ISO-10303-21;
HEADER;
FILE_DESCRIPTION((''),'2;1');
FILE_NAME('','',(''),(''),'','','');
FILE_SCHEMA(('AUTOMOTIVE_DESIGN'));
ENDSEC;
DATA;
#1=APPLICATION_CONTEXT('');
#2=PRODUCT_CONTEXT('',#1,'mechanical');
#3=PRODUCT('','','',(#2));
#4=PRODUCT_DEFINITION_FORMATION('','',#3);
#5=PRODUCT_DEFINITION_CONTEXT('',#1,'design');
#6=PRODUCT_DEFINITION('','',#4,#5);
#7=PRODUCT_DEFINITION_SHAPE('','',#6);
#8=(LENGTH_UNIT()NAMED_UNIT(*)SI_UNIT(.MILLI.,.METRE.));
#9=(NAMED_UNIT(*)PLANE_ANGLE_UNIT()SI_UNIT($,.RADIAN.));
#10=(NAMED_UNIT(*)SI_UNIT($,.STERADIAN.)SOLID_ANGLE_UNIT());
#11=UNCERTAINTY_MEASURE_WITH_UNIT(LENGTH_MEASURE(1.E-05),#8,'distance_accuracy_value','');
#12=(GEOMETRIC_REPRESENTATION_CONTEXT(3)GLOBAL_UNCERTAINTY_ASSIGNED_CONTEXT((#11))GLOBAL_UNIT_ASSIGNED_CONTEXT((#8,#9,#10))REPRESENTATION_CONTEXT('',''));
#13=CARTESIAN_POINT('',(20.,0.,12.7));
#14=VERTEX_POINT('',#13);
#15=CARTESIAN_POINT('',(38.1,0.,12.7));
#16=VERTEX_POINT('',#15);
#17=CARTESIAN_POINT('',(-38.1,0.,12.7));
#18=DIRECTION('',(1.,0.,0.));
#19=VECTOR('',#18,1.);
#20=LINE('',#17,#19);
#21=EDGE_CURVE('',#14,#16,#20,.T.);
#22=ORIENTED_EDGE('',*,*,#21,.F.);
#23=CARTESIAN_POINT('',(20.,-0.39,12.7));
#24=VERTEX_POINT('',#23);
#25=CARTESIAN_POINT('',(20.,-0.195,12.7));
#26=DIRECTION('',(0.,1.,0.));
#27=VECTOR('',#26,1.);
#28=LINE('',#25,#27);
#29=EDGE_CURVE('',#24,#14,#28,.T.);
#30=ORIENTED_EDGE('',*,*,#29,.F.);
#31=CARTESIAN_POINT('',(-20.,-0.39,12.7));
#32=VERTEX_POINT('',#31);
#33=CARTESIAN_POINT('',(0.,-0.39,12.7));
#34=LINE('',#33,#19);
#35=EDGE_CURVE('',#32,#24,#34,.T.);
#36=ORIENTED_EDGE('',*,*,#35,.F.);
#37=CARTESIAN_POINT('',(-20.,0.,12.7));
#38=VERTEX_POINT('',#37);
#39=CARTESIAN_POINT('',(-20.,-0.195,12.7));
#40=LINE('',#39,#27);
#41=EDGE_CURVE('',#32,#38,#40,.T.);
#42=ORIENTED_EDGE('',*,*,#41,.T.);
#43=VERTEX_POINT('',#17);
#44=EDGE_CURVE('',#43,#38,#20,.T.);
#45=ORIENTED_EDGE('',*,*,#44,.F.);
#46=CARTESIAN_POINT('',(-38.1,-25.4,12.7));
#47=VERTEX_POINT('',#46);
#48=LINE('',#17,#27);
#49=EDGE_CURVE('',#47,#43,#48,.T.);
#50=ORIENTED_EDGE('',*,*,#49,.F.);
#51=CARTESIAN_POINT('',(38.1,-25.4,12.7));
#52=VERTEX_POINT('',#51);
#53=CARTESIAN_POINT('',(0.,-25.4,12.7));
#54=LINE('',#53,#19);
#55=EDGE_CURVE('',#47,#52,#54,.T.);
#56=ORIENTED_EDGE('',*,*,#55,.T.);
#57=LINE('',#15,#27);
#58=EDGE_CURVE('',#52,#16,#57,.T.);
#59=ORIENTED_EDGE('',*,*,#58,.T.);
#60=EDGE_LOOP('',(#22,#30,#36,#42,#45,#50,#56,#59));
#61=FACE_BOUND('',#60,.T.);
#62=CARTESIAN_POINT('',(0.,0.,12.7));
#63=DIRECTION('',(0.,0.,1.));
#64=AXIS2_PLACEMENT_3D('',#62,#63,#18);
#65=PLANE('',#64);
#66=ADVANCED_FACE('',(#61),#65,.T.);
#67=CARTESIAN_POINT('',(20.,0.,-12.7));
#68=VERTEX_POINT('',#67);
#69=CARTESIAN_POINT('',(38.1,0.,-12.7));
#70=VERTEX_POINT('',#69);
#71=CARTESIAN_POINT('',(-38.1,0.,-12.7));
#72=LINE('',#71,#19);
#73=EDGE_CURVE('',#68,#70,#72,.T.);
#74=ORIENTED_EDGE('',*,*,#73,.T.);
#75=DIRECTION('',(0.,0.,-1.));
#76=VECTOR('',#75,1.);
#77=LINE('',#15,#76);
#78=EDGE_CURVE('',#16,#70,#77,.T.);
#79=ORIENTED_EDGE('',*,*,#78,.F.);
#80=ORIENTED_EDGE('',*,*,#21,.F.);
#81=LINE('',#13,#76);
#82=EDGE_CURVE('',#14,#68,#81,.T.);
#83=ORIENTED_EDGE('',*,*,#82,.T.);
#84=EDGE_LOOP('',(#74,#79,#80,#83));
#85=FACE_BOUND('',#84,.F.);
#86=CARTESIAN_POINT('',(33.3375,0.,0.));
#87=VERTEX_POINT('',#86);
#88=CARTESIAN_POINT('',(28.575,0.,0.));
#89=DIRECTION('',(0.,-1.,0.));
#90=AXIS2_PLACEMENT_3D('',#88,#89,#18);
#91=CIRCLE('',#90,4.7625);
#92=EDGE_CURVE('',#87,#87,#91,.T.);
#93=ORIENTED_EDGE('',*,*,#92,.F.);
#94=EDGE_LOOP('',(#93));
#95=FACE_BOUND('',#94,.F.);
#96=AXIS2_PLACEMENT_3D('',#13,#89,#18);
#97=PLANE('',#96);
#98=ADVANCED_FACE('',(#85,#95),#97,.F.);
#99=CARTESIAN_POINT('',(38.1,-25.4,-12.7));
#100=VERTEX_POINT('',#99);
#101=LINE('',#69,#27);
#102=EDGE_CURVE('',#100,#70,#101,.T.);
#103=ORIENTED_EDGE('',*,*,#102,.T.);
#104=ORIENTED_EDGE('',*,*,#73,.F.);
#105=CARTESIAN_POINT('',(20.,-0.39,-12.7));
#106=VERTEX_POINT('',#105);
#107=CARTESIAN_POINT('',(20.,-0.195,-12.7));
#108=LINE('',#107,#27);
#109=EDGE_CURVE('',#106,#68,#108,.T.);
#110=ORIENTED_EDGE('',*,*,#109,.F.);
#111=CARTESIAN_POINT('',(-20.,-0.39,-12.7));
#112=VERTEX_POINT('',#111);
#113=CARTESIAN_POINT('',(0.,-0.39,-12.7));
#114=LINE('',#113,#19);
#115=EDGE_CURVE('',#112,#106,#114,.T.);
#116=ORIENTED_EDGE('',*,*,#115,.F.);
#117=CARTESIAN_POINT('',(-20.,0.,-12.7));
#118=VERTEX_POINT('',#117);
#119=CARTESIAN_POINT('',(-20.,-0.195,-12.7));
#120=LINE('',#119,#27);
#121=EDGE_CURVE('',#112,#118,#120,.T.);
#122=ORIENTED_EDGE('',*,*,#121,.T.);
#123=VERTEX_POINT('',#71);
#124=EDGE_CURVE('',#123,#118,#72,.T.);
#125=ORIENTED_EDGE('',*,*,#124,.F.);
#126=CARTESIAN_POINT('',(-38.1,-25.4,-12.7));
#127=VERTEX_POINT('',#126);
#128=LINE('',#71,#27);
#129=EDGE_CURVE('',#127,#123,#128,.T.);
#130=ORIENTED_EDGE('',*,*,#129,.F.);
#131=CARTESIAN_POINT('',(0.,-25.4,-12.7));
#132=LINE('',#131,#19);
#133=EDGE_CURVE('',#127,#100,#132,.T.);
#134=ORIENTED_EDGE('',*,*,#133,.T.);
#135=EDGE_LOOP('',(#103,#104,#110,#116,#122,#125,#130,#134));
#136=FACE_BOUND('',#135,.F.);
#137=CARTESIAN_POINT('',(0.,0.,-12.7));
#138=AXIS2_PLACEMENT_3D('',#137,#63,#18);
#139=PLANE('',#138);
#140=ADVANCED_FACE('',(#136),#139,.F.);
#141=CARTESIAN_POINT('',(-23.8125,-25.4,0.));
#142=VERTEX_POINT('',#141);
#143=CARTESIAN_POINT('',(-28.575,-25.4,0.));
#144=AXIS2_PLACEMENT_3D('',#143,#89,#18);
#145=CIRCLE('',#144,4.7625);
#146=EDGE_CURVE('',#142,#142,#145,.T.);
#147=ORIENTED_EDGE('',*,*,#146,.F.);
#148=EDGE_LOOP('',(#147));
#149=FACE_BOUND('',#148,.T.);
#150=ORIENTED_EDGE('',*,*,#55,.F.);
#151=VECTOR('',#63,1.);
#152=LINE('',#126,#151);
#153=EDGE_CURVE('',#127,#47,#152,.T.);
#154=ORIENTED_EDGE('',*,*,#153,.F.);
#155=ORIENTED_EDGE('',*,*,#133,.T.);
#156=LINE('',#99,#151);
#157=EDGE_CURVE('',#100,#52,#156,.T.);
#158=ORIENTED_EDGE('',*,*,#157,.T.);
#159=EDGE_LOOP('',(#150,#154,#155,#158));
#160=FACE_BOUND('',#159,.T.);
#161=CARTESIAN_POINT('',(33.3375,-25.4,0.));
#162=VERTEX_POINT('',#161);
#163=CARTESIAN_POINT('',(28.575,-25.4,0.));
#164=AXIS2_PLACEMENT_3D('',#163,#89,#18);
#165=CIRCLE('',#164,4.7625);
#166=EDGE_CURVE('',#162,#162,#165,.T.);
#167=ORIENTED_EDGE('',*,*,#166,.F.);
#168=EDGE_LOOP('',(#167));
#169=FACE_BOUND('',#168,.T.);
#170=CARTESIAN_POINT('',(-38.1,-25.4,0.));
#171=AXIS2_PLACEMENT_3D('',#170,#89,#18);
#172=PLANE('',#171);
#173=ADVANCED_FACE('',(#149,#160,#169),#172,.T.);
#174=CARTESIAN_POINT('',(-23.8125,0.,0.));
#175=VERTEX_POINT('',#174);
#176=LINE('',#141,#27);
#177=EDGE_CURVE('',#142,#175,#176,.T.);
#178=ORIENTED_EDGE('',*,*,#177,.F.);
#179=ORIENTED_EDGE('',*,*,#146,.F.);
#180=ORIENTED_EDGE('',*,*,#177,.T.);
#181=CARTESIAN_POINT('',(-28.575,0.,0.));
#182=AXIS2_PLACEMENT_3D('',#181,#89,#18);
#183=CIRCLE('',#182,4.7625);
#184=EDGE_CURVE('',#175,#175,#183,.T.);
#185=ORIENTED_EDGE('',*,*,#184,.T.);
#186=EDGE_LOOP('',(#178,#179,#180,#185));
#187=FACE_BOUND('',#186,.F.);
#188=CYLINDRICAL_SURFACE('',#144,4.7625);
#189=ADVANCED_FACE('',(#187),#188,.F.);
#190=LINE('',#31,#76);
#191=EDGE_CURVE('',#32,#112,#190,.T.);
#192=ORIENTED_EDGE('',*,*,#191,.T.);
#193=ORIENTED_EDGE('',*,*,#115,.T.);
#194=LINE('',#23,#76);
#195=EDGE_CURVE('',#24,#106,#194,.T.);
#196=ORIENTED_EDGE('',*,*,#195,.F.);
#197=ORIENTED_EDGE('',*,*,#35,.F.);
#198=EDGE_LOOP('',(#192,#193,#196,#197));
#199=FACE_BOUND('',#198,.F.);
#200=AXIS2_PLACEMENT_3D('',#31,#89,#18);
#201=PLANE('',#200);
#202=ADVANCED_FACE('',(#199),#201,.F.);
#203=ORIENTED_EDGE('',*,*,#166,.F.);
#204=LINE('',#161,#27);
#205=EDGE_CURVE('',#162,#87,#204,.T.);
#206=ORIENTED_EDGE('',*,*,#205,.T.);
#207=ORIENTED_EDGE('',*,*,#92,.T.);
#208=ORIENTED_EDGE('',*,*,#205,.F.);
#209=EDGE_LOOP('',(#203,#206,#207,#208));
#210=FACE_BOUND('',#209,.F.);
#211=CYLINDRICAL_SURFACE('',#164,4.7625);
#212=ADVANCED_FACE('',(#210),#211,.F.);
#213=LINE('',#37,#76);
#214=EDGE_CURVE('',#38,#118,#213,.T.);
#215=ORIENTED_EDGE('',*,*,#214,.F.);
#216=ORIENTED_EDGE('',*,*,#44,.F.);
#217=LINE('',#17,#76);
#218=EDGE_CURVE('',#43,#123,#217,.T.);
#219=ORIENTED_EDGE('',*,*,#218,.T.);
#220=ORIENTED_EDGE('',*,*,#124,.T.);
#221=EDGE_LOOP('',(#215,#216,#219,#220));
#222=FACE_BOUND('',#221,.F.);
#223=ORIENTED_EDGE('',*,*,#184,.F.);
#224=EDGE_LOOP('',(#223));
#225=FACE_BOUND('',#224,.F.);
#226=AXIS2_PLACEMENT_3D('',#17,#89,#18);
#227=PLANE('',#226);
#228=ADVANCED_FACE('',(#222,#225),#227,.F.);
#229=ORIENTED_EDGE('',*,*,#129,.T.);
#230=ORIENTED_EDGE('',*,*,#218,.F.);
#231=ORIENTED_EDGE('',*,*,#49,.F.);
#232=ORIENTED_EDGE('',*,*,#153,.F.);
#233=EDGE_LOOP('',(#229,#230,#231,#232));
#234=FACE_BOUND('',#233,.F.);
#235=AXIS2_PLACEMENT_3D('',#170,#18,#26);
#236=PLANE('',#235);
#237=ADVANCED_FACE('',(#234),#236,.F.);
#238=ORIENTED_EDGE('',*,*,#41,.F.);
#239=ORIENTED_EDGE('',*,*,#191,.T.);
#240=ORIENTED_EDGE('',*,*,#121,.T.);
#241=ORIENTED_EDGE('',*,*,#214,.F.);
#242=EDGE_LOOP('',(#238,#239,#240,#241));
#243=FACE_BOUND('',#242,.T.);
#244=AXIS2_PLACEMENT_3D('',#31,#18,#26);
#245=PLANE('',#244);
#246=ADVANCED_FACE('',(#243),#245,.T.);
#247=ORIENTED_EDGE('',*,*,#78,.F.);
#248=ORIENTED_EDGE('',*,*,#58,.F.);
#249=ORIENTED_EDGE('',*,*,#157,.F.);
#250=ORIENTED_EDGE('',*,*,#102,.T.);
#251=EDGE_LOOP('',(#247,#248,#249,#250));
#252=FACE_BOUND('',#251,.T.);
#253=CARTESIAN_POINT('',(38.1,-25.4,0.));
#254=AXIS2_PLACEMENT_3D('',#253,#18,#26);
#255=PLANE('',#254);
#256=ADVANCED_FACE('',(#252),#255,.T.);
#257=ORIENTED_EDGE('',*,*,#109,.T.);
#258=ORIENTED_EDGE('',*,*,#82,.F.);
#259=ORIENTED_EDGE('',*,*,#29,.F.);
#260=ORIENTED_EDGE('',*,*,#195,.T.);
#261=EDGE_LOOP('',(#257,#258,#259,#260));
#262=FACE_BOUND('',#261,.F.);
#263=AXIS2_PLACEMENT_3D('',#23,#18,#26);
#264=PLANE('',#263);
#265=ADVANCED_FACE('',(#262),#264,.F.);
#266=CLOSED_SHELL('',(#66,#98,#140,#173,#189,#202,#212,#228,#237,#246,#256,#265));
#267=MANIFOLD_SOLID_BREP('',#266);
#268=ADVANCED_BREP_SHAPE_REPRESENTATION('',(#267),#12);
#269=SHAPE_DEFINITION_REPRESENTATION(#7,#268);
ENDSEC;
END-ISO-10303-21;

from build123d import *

# Parameters (mm, degrees)
F0_W     = 76.2
F0_H     = 50.8
F1_DEPTH = 12.7
F2_W     = 40
F2_H     = 0.39
F3_DEPTH = 25.4
F4_R     = 4.7625
F5_DEPTH = 25.4


with BuildPart() as f1:
    # F0 (on Top) → F1 (new body, symmetric)
    with BuildSketch(Plane.XY):
        Rectangle(F0_W, F0_H)
    extrude(amount=F1_DEPTH, both=True)

    # F2 (on face) → F3 (cut)
    with BuildSketch(Plane.XY.offset(12.7)):
        Polygon((-20, 0), (-20, 0.39), (20, 0.39), (20, 0), (38.1, 0), (38.1, 25.4), (-38.1, 25.4), (-38.1, 0), align=None)
        with Locations((0, 0.195)):
            Rectangle(F2_W, F2_H)
        with Locations((0, -0.195)):
            Rectangle(F2_W, F2_H)
    extrude(amount=-F3_DEPTH, mode=Mode.SUBTRACT)

    # F4 (on face) → F5 (cut)
    with BuildSketch(Plane.XZ.offset(25.4)):
        with Locations((-28.575, 0)):
            Circle(F4_R)
        with Locations((28.575, 0)):
            Circle(F4_R)
    extrude(amount=-F5_DEPTH, mode=Mode.SUBTRACT)


solid = f1.part
